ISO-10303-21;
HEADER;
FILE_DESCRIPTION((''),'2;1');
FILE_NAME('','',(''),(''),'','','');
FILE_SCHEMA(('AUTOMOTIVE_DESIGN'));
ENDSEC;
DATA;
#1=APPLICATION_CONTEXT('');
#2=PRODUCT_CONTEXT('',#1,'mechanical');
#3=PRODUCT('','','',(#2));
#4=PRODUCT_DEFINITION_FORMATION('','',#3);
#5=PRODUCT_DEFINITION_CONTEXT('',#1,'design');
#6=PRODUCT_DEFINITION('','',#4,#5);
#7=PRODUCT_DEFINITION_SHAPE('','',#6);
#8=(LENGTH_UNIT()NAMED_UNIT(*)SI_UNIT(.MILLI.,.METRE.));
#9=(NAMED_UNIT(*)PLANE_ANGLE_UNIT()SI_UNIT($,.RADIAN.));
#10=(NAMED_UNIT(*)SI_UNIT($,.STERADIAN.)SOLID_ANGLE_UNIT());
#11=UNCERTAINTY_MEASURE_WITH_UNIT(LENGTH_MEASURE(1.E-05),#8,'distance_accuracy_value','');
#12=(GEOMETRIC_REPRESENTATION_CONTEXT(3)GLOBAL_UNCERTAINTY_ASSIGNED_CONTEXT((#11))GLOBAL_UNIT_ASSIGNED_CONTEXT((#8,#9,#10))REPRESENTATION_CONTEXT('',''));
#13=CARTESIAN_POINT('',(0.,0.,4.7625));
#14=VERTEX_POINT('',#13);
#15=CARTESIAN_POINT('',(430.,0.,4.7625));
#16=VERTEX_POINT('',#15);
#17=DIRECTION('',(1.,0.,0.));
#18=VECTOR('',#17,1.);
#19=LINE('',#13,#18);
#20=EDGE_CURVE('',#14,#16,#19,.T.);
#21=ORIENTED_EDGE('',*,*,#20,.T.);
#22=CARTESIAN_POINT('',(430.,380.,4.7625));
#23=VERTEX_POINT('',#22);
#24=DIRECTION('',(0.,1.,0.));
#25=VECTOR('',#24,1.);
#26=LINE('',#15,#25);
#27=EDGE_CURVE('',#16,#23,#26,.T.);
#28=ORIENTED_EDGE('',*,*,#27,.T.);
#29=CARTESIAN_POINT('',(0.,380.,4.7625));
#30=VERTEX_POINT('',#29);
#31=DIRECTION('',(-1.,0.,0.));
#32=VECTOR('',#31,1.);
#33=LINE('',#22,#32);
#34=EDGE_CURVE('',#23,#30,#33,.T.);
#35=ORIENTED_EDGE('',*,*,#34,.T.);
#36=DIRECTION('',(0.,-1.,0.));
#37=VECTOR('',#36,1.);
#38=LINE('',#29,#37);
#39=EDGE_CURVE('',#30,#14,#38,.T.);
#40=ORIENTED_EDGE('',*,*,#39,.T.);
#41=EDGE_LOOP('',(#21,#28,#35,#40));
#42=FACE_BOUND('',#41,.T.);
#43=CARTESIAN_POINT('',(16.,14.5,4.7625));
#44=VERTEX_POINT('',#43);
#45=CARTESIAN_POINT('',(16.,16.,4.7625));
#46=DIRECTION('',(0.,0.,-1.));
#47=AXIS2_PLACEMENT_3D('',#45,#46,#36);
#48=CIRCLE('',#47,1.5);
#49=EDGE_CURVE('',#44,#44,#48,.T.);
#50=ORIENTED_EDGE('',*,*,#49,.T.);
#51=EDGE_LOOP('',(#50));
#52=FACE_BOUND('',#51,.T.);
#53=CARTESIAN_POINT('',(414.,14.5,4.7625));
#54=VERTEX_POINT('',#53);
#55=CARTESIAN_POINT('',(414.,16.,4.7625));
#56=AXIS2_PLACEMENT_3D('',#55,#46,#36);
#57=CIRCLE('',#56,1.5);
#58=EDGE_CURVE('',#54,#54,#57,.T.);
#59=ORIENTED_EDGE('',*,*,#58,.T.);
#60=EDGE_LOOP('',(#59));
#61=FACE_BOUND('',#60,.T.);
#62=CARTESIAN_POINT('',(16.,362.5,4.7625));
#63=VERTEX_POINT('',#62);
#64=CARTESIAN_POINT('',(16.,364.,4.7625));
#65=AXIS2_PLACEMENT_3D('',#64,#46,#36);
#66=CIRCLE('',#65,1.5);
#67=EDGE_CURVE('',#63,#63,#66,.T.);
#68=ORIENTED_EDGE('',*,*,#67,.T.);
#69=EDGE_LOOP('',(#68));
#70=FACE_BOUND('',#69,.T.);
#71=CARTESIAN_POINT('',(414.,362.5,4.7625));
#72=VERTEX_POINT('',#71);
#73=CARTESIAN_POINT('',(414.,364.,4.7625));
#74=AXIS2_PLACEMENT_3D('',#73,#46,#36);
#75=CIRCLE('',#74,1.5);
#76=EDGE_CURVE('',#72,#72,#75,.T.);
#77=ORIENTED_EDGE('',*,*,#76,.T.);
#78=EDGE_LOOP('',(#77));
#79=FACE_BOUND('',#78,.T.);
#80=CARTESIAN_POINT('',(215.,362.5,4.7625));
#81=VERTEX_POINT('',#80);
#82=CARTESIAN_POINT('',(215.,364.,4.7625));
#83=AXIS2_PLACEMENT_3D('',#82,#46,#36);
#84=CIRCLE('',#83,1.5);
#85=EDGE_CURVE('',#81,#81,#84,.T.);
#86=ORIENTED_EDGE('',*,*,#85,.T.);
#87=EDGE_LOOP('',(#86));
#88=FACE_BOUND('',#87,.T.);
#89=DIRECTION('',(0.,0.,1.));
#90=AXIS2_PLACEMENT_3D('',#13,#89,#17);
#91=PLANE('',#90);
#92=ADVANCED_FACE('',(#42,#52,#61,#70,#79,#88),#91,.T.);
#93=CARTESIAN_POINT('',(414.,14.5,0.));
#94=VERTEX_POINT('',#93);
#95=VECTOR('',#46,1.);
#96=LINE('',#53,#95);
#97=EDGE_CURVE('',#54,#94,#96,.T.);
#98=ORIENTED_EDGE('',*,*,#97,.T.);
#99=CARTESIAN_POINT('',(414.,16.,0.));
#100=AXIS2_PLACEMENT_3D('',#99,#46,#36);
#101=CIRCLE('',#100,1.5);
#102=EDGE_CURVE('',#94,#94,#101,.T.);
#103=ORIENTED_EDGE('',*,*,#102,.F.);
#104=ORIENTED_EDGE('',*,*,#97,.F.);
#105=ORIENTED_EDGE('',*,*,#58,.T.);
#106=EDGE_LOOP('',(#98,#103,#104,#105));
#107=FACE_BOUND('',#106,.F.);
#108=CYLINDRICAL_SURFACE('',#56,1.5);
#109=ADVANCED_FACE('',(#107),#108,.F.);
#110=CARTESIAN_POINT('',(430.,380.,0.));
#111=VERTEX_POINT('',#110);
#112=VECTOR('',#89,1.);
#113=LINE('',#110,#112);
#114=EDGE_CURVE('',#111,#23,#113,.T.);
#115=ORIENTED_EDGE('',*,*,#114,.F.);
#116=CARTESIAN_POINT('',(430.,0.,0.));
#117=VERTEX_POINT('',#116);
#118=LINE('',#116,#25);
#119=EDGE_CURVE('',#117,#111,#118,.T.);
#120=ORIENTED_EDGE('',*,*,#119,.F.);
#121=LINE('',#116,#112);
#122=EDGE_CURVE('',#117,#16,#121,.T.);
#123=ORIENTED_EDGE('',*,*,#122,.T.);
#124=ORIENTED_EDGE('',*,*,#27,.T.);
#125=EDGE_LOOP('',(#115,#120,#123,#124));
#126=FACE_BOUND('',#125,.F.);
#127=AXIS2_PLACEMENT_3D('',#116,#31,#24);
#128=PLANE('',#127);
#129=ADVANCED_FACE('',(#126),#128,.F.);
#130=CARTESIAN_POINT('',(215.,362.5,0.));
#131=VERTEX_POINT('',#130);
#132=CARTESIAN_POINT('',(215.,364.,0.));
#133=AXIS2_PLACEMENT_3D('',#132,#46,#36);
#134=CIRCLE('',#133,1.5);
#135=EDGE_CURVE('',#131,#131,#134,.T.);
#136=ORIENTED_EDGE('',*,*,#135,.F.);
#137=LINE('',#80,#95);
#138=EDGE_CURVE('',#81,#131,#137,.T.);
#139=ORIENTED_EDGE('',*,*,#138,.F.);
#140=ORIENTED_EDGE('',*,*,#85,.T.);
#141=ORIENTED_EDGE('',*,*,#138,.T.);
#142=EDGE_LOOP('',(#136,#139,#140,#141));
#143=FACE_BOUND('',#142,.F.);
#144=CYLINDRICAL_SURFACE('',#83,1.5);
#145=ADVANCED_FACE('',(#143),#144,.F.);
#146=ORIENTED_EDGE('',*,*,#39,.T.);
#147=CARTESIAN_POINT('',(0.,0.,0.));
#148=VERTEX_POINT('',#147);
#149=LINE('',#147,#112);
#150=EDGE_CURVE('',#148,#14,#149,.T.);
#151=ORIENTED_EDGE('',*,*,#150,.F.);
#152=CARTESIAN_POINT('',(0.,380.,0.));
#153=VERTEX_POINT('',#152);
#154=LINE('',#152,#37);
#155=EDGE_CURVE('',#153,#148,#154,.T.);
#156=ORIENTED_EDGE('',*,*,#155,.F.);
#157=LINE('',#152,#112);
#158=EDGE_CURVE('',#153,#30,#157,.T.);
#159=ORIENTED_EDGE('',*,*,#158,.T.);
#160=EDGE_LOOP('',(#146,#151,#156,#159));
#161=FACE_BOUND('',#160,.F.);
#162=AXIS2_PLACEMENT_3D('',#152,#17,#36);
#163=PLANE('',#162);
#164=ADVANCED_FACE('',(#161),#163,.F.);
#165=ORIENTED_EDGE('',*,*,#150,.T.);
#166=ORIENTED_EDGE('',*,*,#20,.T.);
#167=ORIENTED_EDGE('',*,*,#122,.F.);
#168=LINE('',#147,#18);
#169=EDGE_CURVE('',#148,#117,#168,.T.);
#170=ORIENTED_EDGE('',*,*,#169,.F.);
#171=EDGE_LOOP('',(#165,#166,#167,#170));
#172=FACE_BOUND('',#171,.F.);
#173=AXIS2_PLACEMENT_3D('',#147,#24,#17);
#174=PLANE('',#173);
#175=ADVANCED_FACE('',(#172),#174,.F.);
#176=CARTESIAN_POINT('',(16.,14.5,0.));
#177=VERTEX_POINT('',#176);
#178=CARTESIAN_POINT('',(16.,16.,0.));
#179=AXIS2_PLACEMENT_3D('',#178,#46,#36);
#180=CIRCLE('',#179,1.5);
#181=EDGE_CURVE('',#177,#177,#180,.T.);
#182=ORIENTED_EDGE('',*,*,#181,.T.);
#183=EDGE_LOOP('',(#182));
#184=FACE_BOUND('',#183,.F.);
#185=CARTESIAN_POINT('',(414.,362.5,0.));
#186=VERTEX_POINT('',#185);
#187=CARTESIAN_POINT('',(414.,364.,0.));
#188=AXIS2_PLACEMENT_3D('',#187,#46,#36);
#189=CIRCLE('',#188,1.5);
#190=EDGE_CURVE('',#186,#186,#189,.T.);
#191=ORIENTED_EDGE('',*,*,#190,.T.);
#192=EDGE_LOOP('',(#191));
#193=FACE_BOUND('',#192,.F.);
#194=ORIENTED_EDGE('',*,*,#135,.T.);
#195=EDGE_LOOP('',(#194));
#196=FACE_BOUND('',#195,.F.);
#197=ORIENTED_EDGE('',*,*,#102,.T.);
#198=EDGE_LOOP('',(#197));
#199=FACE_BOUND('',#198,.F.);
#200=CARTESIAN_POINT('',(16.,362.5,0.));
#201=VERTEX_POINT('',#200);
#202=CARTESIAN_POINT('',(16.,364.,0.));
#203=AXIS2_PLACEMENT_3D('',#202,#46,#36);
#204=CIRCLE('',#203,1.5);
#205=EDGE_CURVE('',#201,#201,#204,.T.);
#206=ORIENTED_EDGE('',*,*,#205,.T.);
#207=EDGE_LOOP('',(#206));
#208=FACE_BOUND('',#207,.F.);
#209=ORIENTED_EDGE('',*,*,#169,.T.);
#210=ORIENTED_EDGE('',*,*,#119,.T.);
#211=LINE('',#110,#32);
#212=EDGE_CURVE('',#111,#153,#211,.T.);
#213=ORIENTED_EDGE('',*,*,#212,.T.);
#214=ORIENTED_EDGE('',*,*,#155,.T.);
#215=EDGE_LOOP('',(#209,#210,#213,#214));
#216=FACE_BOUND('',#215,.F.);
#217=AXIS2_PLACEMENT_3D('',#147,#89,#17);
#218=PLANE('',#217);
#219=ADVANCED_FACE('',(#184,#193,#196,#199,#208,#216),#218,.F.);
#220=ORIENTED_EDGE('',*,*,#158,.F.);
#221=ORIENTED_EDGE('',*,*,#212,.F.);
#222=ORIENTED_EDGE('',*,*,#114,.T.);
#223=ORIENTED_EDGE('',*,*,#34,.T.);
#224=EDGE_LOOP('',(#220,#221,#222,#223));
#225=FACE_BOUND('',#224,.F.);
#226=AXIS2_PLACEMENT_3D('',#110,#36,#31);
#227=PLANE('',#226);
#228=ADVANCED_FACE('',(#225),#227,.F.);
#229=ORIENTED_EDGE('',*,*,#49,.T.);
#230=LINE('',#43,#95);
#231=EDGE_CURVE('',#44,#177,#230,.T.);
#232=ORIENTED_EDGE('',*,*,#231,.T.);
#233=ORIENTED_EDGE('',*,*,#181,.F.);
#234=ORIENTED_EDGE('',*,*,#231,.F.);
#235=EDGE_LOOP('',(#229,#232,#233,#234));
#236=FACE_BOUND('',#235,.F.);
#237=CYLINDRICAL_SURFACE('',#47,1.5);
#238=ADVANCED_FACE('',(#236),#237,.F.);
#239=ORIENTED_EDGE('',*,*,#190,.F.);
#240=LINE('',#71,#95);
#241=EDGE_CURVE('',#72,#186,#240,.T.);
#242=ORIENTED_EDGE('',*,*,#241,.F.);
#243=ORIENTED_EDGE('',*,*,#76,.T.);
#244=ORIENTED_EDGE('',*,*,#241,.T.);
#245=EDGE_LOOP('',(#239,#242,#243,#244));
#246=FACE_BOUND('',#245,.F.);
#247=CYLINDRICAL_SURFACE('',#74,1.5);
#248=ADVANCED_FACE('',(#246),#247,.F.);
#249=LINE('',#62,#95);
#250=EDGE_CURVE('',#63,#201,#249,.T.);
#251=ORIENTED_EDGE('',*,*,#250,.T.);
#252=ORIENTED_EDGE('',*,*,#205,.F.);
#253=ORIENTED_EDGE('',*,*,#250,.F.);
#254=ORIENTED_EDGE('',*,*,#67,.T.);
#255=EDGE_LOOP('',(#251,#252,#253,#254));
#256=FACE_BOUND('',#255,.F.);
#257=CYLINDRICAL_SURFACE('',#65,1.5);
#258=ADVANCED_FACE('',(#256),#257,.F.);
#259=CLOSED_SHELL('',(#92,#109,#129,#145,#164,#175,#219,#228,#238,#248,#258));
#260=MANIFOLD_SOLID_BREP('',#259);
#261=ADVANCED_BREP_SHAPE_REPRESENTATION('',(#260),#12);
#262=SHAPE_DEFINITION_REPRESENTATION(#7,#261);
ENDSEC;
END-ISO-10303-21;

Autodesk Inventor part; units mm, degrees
ref_plane "YZ Plane" through (0, 0, 0) normal (1, 0, 0) x (0, 1, 0)
ref_plane "XZ Plane" through (0, 0, 0) normal (0, 1, 0) x (-1, 0, 0)
ref_plane "XY Plane" through (0, 0, 0) normal (0, 0, 1) x (1, 0, 0)
sketch "Sketch1" plane through (0, 0, 0) normal (0, 0, 1) x (1, 0, 0)
  line L0 (0, 0) -> (430, 0)
  line L1 (430, 0) -> (430, 380)
  line L2 (430, 380) -> (0, 380)
  line L3 (0, 380) -> (0, 0)
  dimension "d0" = 430
  dimension "d1" = 380
extrude "Extrusion1" add sketch "Sketch1" along normal blind 4.7625
sketch "Sketch2" plane through (0, 0, 4.7625) normal (0, 0, 1) x (1, 0, 0)
  line L0 (0, 0) -> (430, 0) projected
  line L1 (430, 0) -> (430, 380) projected
  line L2 (430, 380) -> (0, 380) projected
  line L3 (0, 380) -> (0, 0) projected
  point P0 (16, 364)
  point P1 (215, 364)
  point P2 (16, 16)
  point P3 (414, 16)
  point P4 (414, 364)
  dimension "d17" = 16
  dimension "d18" = 16
  dimension "d19" = 16
  dimension "d21" = 16
  dimension "d22" = 215
hole "Hole1" at (16, 364, 4.7625) at (215, 364, 4.7625) at (16, 16, 4.7625) at (414, 16, 4.7625) at (414, 364, 4.7625) direction (0, 0, -1) diameter 3 end through all
properties part number "ElectronicsLowerPanel" material "ABS Plastic"
